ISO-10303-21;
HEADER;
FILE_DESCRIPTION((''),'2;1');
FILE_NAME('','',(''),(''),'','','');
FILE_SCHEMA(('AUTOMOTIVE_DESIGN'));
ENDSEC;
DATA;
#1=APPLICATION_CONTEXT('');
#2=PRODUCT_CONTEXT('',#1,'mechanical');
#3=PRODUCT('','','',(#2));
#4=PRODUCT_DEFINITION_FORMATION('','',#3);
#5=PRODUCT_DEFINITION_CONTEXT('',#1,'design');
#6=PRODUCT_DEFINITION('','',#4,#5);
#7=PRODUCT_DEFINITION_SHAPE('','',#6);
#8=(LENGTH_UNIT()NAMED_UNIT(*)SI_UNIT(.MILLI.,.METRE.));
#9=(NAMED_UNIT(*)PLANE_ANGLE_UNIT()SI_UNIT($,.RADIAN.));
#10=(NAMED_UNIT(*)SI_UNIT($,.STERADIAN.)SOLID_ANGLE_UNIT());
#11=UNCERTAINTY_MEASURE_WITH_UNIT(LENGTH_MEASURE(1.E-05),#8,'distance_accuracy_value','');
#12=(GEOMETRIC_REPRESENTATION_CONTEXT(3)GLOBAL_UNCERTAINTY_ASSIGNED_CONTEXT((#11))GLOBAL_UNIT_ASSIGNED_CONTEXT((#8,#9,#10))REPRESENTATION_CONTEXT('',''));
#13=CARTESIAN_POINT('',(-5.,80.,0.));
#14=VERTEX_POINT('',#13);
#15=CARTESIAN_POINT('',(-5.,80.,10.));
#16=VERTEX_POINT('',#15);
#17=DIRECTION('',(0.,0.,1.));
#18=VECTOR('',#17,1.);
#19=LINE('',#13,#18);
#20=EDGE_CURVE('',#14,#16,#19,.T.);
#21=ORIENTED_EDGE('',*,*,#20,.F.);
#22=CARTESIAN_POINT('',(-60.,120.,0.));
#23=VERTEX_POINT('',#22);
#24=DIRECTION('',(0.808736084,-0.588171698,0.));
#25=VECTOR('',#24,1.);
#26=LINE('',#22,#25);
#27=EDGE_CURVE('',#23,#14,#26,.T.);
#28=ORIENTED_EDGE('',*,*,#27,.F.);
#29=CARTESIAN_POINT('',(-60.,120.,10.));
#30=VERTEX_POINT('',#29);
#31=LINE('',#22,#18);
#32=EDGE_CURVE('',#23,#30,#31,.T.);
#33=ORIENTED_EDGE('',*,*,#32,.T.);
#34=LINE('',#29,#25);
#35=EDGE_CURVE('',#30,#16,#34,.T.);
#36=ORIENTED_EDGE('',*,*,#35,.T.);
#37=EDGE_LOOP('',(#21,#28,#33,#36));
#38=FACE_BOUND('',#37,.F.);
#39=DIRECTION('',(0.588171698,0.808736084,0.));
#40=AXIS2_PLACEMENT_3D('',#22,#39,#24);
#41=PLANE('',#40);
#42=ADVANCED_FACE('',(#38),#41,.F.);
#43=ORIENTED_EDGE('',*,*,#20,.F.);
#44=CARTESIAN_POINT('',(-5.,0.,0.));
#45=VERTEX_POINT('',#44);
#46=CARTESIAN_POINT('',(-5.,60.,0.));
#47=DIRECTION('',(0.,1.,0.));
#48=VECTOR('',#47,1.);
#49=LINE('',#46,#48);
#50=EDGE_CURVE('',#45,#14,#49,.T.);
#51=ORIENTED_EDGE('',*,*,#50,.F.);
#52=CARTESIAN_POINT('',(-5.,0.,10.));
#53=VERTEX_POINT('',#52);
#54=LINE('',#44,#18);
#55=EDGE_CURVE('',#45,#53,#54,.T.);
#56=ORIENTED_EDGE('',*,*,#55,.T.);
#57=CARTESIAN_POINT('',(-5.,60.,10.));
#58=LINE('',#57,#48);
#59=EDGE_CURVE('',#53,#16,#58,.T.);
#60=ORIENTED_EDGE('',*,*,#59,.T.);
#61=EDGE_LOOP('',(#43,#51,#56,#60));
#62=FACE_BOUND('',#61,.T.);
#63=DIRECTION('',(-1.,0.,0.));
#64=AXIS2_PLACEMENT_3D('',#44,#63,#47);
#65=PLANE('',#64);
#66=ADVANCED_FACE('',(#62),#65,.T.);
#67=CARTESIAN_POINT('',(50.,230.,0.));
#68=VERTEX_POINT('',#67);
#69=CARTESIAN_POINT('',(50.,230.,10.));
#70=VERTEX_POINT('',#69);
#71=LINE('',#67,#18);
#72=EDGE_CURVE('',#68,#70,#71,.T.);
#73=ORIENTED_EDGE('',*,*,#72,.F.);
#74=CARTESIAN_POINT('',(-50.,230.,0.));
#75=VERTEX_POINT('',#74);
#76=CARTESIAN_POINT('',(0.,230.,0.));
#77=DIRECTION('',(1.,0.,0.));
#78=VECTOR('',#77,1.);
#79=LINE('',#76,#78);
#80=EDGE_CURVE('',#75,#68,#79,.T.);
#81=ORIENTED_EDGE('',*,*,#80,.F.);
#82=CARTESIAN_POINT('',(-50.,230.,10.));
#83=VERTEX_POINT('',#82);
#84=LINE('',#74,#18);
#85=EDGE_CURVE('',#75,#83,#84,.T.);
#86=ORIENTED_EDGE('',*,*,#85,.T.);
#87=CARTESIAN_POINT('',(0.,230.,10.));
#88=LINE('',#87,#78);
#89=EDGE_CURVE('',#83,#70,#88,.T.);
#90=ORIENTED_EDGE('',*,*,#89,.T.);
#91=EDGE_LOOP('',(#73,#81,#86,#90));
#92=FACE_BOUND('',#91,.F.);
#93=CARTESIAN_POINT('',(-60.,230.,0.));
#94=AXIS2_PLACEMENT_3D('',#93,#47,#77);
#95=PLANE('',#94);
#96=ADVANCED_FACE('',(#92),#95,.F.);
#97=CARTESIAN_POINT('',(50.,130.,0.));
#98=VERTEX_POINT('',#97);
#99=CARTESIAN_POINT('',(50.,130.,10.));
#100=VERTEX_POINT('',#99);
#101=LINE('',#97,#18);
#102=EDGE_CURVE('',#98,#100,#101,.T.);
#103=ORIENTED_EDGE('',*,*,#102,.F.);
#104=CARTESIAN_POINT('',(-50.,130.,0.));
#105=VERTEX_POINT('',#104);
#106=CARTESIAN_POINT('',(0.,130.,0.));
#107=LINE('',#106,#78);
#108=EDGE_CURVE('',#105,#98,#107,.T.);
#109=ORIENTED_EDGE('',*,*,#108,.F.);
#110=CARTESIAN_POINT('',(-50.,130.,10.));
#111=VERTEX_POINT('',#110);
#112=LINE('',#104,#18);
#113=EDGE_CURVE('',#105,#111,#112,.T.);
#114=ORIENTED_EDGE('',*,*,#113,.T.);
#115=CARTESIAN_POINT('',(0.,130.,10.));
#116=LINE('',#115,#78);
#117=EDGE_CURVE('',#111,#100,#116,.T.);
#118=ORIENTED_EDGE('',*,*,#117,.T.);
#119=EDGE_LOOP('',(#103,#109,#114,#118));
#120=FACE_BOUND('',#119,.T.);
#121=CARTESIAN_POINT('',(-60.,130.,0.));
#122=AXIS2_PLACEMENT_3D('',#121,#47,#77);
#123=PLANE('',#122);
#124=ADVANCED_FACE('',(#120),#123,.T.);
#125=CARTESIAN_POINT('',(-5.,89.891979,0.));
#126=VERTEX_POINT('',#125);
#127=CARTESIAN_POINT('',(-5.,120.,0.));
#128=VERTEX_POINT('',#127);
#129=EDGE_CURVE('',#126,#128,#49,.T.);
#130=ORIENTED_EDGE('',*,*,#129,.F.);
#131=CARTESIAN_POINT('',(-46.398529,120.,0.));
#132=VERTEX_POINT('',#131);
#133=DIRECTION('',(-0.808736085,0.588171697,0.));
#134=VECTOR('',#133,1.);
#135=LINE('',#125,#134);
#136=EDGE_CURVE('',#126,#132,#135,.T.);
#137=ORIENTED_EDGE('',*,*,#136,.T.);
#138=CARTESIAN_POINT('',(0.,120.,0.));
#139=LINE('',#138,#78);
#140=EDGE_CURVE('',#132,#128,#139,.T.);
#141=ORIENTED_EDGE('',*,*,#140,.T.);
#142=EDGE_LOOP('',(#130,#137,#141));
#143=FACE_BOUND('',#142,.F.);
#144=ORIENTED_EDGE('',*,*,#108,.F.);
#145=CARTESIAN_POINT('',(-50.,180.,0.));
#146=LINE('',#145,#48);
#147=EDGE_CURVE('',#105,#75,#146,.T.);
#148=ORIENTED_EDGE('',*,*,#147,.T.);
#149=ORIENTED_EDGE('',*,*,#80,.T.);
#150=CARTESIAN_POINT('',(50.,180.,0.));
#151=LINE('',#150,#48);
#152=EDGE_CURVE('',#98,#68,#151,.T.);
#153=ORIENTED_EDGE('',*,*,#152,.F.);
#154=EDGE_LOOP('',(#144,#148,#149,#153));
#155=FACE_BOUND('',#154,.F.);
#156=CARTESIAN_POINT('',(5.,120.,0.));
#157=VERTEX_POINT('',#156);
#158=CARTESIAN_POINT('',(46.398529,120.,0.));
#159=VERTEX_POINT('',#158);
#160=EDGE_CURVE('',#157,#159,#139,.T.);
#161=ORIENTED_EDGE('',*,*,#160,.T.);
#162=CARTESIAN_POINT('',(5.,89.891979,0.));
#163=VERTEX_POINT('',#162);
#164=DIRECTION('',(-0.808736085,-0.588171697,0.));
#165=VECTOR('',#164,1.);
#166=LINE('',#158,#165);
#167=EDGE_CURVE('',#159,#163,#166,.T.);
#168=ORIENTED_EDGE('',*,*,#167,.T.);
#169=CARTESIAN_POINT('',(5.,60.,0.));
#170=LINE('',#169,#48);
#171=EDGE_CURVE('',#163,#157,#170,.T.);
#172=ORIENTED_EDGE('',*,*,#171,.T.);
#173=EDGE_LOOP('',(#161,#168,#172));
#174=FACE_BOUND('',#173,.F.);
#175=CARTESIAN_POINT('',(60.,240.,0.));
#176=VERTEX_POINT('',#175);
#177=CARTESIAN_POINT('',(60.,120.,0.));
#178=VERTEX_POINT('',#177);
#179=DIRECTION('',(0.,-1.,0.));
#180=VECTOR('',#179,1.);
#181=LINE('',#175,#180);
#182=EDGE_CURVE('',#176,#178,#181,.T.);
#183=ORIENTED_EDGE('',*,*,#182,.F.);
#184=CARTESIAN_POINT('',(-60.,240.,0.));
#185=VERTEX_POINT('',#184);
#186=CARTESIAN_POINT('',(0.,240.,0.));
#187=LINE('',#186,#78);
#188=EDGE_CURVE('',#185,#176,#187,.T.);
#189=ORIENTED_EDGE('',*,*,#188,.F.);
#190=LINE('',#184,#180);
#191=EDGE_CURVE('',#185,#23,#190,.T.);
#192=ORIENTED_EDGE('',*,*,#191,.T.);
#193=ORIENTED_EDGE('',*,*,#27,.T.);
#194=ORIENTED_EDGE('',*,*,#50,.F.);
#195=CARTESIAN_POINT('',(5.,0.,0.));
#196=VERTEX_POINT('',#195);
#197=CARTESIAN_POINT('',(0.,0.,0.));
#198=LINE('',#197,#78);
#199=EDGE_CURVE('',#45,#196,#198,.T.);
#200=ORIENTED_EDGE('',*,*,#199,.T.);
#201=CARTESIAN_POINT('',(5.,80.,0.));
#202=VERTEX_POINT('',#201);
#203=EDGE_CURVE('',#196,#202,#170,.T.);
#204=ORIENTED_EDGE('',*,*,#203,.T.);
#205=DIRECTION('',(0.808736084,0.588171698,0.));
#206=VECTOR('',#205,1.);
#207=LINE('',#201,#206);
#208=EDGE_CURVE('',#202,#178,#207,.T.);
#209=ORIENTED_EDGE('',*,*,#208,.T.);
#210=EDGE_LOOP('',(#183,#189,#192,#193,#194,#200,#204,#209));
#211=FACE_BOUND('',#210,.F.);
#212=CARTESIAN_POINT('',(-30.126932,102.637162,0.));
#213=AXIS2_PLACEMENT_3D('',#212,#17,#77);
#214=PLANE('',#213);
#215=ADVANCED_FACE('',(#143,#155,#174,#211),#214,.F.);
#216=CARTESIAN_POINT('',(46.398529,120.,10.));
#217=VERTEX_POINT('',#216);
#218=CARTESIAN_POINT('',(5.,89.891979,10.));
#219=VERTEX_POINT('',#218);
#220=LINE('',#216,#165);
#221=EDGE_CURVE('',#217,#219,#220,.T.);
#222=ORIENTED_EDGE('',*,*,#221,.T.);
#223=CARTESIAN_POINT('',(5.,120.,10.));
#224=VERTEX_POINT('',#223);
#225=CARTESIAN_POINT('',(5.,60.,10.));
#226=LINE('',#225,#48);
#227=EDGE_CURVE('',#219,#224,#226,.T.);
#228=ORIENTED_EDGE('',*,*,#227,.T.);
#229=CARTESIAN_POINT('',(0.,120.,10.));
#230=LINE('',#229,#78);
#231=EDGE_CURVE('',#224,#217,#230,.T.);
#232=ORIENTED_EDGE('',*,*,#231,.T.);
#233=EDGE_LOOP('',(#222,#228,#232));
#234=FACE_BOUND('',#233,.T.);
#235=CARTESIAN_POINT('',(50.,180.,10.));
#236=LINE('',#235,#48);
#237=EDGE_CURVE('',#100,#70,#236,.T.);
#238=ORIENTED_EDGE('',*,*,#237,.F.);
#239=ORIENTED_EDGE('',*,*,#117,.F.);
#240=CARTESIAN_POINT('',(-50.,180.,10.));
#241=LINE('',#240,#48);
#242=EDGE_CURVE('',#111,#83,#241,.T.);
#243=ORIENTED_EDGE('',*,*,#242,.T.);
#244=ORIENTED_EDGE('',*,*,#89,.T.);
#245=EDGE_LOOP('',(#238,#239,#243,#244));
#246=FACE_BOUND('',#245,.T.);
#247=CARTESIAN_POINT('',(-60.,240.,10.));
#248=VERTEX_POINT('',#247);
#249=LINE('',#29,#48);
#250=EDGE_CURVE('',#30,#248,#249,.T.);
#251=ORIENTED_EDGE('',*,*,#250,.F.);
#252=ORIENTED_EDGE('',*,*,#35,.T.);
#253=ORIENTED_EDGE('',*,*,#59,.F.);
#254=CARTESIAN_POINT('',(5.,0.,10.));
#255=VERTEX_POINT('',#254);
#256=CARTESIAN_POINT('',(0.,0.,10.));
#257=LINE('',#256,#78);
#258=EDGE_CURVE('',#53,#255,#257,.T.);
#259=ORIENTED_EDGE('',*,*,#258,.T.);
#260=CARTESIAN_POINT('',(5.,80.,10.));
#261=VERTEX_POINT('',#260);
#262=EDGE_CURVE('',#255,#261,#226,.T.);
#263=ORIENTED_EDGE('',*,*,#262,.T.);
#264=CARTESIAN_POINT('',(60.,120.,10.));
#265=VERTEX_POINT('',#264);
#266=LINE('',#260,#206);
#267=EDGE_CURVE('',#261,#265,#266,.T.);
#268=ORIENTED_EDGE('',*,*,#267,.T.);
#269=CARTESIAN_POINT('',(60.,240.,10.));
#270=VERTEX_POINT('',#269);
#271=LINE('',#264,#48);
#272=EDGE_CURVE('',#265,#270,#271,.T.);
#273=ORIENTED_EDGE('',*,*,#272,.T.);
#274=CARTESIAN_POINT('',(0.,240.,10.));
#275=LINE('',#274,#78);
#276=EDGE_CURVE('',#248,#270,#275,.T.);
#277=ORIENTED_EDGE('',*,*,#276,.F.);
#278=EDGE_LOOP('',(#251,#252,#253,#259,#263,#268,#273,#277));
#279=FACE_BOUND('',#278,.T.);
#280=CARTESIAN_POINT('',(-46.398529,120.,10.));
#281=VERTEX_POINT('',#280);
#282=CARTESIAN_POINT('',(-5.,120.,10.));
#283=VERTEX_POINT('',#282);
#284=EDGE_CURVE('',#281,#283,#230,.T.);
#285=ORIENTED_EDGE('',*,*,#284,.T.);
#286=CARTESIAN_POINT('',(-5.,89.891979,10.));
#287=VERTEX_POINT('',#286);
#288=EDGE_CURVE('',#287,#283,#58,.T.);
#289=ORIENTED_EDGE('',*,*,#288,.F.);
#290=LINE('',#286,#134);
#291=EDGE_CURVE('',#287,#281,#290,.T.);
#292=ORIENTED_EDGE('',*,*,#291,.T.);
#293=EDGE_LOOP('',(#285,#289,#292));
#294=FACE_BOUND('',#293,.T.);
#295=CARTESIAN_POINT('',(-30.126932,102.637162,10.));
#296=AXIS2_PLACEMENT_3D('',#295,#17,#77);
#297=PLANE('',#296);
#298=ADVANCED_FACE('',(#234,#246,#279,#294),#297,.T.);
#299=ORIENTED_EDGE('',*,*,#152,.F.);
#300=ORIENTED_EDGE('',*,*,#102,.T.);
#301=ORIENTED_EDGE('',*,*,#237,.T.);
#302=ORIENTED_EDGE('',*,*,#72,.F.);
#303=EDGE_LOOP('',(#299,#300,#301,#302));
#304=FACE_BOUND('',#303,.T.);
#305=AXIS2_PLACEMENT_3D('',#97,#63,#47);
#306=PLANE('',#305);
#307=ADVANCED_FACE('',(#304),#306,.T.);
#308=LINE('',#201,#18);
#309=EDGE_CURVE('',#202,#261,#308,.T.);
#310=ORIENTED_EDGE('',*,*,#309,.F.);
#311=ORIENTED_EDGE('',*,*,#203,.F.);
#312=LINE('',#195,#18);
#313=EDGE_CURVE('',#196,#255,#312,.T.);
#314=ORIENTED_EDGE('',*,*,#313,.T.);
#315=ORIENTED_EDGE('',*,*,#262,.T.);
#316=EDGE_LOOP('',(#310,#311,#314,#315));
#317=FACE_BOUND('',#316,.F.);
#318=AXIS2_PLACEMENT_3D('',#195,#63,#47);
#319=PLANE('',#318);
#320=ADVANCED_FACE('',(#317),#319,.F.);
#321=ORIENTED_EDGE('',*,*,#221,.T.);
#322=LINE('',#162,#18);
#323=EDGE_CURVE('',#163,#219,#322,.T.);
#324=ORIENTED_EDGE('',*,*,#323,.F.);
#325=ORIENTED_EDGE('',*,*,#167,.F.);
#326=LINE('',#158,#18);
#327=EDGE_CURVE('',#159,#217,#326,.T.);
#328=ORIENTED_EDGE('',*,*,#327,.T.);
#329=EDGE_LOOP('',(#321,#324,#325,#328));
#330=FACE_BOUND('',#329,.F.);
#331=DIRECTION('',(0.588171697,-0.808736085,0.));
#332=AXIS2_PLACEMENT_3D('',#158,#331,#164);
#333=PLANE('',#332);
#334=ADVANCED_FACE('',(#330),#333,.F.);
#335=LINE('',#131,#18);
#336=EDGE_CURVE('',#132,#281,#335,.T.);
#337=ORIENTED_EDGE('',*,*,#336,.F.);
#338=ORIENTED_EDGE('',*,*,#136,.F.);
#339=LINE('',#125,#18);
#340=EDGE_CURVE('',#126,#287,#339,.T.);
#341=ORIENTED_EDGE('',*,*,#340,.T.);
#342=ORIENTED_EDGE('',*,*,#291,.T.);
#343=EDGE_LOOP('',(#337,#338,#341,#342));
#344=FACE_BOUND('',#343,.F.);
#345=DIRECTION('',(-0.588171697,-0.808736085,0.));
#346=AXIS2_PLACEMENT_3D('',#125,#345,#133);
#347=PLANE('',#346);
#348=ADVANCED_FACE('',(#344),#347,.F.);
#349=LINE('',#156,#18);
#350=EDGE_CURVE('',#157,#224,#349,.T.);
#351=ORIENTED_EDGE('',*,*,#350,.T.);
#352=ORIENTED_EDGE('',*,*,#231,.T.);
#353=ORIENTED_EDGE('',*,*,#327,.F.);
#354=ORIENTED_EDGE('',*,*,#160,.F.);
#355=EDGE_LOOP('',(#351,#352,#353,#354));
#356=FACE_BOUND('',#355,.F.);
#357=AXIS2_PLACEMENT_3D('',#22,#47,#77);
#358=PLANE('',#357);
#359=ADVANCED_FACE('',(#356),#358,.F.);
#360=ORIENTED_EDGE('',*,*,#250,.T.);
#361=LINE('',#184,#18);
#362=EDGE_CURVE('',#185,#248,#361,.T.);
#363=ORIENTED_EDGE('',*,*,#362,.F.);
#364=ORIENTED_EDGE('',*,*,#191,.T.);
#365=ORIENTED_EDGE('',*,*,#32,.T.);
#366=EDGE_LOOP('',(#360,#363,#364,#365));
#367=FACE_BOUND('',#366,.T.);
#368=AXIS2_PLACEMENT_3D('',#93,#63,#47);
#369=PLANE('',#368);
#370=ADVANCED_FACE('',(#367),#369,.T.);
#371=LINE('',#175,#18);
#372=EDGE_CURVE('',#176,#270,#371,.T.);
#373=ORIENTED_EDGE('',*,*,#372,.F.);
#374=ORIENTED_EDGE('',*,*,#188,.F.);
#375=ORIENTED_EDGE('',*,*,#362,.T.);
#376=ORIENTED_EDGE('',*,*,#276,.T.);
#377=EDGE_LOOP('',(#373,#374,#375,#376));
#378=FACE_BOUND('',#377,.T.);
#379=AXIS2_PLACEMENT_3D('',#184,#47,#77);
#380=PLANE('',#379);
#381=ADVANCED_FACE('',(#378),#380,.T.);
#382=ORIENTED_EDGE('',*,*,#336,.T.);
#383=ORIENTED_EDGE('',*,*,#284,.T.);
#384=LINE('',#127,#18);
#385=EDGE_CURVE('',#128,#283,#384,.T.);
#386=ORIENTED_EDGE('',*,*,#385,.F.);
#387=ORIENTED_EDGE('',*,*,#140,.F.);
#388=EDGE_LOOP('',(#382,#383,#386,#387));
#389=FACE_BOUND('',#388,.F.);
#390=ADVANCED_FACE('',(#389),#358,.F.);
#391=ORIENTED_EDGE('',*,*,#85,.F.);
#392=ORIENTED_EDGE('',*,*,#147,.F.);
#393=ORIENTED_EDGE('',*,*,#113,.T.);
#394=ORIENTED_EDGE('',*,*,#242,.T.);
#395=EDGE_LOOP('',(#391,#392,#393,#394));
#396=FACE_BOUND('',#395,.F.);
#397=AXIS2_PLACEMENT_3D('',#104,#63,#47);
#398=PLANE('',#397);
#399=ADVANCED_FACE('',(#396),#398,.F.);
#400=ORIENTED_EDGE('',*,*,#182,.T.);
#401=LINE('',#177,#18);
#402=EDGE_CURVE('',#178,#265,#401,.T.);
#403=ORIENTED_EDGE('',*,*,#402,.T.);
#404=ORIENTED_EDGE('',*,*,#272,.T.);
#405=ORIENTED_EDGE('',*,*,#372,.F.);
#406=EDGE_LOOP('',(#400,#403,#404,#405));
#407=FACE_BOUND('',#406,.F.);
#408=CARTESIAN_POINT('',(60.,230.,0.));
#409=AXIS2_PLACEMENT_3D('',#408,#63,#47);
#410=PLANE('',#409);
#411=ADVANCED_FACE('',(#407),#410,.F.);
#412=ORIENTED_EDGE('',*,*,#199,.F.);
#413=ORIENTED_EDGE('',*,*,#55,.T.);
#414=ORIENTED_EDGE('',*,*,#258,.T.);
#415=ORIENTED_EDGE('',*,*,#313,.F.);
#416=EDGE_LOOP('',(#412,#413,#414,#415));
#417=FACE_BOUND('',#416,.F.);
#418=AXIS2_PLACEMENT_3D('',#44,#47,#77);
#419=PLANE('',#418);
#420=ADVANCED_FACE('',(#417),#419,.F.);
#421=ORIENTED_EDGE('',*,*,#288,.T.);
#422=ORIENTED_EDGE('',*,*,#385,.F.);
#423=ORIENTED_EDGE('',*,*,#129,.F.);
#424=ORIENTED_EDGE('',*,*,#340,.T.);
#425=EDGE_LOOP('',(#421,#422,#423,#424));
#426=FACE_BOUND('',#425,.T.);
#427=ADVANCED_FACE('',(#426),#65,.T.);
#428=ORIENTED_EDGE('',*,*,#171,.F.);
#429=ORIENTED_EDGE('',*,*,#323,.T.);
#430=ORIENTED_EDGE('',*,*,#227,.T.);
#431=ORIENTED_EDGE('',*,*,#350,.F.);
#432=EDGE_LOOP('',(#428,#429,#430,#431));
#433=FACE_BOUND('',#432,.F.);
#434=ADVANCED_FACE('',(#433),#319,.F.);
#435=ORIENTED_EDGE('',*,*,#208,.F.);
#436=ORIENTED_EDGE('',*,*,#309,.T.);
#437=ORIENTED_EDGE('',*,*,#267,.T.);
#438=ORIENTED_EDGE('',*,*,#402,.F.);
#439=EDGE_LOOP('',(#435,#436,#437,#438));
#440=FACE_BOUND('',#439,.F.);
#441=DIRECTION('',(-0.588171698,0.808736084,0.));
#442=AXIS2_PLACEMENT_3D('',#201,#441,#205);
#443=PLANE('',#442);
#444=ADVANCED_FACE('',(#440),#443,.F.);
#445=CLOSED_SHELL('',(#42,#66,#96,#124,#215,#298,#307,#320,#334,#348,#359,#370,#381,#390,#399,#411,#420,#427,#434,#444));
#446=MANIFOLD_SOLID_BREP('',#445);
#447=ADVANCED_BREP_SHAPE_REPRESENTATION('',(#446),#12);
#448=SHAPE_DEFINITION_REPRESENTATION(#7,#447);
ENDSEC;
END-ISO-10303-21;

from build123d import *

# Parameters (mm, degrees)
F3_W      = 10
F3_H      = 120
F4_DEPTH  = 10
F7_W      = 120
F7_H      = 10
F8_DEPTH  = 10
F9_W      = 10
F9_H      = 100
F10_DEPTH = 10
F11_W     = 120
F11_H     = 10
F12_DEPTH = 10
F14_DEPTH = 10


with BuildPart() as f4:
    # F3 (on Top) → F4 (new body)
    with BuildSketch(Plane.XY):
        with Locations((0, 60)):
            Rectangle(F3_W, F3_H)
    extrude(amount=F4_DEPTH)

    # F7 (on Top) → F8 (join)
    with BuildSketch(Plane.XY):
        with Locations((0, 125)):
            Rectangle(F7_W, F7_H)
    extrude(amount=F8_DEPTH)

    # F9 (on Top) → F10 (join)
    with BuildSketch(Plane.XY):
        with Locations((-55, 180)):
            Rectangle(F9_W, F9_H)
        with Locations((55, 180)):
            Rectangle(F9_W, F9_H)
    extrude(amount=F10_DEPTH)

    # F11 (on Top) → F12 (join)
    with BuildSketch(Plane.XY):
        with Locations((0, 235)):
            Rectangle(F11_W, F11_H)
    extrude(amount=F12_DEPTH)

    # F13 (on Top) → F14 (join)
    with BuildSketch(Plane.XY):
        Polygon((-5, 80), (-5, 89.891979), (-46.398529, 120), (-60, 120), align=None)
        Polygon((5, 80), (60, 120), (46.398529, 120), (5, 89.891979), align=None)
    extrude(amount=F14_DEPTH)


solid = f4.part
